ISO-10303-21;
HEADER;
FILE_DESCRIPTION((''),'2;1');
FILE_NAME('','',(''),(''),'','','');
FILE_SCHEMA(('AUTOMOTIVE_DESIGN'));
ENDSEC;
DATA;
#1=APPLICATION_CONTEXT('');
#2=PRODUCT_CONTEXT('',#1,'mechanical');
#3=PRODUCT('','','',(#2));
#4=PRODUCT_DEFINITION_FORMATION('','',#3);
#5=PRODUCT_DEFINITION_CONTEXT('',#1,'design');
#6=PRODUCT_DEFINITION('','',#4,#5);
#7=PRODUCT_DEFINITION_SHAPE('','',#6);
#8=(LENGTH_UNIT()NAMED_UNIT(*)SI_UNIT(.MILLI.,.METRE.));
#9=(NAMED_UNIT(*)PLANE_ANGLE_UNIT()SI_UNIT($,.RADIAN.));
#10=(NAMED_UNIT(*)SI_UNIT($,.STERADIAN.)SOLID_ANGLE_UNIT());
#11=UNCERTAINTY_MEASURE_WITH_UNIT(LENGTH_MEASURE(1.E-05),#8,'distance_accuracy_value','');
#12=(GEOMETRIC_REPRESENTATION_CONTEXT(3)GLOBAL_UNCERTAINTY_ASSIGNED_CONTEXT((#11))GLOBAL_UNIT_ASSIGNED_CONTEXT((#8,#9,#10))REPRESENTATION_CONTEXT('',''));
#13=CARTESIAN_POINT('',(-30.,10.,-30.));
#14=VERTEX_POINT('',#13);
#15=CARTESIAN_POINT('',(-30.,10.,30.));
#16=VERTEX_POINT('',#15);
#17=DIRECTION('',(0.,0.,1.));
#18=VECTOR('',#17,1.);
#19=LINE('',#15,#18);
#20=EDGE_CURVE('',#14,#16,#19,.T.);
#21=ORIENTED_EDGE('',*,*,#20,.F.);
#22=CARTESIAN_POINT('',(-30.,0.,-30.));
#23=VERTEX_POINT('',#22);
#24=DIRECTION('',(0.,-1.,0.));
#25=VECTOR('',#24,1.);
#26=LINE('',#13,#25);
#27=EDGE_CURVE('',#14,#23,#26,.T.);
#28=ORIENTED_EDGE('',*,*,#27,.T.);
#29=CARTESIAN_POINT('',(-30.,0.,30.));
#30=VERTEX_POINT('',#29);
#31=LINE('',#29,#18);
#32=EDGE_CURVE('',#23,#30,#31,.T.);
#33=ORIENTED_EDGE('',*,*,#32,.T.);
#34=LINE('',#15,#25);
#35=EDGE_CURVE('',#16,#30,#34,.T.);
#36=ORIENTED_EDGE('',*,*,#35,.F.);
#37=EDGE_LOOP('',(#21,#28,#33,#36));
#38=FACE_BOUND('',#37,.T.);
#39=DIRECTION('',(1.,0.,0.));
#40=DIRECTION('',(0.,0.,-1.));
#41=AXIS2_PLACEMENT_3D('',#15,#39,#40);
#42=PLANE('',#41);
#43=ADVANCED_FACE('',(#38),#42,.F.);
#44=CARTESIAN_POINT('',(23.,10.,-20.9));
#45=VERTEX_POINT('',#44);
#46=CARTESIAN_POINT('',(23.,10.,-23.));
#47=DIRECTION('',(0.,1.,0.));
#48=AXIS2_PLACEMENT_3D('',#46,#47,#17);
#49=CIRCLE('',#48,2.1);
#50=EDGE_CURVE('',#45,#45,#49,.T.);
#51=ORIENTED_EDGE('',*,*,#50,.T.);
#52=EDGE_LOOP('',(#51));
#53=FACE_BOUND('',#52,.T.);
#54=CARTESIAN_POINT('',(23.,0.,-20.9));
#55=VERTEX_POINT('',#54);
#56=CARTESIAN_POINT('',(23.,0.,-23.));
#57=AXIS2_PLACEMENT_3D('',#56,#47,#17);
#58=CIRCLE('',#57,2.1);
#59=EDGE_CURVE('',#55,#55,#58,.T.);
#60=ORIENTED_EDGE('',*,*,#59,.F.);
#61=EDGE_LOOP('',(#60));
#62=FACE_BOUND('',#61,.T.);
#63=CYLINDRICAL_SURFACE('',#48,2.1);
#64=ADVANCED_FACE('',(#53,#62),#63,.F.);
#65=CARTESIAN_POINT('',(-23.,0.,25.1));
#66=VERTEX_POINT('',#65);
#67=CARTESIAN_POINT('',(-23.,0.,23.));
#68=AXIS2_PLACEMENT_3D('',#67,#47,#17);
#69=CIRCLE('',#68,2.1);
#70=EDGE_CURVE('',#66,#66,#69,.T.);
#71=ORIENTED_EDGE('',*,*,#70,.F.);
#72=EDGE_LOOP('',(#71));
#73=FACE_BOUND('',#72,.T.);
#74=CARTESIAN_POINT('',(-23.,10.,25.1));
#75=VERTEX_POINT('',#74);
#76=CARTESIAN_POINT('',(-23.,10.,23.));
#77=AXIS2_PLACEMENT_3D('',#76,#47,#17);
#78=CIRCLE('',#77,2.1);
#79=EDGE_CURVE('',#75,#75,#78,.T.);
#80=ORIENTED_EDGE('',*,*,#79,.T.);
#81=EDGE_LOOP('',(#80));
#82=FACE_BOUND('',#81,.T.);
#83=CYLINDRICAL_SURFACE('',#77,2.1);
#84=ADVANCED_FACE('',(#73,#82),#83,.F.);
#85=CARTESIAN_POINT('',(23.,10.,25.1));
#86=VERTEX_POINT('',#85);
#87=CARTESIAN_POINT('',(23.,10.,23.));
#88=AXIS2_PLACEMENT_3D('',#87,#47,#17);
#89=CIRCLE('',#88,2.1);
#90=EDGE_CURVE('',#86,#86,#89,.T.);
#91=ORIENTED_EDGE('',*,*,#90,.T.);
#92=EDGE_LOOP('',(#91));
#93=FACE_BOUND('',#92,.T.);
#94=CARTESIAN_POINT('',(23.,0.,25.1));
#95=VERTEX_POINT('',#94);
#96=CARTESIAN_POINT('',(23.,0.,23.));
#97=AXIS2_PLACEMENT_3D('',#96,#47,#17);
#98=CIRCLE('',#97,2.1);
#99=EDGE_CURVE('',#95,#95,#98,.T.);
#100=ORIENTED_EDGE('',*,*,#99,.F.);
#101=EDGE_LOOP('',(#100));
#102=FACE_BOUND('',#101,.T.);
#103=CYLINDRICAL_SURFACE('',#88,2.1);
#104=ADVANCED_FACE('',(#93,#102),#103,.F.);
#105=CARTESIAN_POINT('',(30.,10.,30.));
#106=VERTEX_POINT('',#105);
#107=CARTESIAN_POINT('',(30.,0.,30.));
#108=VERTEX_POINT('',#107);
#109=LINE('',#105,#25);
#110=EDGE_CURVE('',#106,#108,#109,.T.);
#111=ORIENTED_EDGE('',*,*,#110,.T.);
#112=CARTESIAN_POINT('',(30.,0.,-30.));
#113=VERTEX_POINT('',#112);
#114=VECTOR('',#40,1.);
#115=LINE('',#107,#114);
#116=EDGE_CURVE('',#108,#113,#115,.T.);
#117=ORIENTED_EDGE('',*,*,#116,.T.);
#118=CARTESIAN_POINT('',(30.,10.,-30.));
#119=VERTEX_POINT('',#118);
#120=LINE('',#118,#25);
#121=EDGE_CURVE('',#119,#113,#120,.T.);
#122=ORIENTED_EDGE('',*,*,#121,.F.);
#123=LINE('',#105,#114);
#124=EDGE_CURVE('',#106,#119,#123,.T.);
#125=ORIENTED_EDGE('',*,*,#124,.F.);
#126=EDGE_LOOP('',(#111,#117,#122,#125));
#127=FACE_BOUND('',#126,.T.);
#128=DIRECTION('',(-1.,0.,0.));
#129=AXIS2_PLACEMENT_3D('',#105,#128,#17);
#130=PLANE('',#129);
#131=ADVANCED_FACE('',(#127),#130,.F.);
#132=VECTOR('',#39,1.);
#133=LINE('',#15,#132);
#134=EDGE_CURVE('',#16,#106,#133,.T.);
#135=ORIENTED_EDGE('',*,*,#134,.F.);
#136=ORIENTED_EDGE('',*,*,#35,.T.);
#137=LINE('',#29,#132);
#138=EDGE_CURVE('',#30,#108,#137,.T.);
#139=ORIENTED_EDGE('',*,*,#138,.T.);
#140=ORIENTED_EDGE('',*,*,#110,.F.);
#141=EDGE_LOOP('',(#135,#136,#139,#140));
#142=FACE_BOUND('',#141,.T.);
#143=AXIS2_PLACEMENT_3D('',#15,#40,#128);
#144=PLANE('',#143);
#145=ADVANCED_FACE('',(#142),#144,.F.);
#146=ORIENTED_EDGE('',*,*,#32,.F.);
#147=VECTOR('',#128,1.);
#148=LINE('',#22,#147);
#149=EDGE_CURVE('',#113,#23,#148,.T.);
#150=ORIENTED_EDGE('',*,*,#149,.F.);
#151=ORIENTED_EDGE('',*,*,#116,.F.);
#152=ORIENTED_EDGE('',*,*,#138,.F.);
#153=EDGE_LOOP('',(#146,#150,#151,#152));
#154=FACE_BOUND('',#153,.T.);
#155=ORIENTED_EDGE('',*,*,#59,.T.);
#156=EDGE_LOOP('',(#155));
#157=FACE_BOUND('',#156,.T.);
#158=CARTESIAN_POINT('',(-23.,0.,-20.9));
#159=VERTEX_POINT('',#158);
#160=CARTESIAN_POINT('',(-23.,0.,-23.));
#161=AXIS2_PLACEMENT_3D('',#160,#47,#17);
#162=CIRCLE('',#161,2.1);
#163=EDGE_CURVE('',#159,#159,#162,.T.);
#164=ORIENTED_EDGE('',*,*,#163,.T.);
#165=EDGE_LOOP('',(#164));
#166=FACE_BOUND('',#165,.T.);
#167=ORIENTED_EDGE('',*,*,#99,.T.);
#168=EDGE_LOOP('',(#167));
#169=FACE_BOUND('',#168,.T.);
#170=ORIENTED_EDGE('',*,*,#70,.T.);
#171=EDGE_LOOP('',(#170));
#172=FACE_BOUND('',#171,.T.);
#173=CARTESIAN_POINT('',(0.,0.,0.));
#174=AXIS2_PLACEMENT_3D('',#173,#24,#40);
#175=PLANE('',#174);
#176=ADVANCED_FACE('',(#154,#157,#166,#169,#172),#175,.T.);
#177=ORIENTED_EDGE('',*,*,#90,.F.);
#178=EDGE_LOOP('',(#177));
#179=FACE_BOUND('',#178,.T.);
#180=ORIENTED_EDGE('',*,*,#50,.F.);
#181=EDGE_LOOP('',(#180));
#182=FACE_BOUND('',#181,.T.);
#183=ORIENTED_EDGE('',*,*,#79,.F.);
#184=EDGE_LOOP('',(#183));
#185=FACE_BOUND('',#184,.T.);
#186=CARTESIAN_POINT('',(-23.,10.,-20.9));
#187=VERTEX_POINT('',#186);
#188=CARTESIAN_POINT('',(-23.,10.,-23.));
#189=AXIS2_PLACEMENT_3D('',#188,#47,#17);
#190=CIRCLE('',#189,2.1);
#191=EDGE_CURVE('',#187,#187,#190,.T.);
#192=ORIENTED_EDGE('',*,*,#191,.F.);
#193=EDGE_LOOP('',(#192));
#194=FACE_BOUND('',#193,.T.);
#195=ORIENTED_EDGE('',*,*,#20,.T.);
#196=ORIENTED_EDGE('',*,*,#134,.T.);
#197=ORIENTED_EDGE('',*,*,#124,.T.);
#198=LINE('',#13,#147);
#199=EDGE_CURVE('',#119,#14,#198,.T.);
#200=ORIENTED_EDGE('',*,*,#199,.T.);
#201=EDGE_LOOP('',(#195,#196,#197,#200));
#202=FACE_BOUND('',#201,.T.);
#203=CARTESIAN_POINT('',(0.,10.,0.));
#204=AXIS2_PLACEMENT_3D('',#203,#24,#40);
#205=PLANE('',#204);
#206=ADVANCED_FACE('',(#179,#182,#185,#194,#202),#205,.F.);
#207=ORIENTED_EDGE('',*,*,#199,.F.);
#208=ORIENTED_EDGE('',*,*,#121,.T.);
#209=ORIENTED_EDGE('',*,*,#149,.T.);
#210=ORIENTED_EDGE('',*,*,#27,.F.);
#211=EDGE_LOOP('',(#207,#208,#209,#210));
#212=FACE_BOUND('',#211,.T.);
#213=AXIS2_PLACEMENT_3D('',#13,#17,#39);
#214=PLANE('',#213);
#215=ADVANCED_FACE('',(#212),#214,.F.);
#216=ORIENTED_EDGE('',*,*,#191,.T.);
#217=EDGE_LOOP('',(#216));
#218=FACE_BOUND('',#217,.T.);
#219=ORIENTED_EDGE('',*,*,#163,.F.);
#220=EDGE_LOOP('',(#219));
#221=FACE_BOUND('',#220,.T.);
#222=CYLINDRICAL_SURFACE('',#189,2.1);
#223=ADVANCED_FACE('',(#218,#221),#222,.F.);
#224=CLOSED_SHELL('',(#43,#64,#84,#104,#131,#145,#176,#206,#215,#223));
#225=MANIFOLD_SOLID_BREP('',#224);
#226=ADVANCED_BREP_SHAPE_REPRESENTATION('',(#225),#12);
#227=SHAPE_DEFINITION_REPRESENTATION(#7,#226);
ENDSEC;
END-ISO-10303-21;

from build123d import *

# Parameters (mm, degrees)
SKETCH1_W           = 60
SKETCH1_H           = 60
BOSS_EXTRUDE1_DEPTH = 10
M5_TAPPED_HOLE1_D   = 4.2


with BuildPart() as part:
    # Sketch1 → Boss-Extrude1 (new body)
    with BuildSketch(Plane(origin=(0, 0, 0), x_dir=(1, 0, 0), z_dir=(0, 1, 0))):
        Rectangle(SKETCH1_W, SKETCH1_H)
    extrude(amount=BOSS_EXTRUDE1_DEPTH)

    # M5 Tapped Hole1 (through all)
    with Locations(Plane(origin=(-23, 10, -23), x_dir=(0, 0, 1), z_dir=(0, 1, 0))):
        with Locations((0, 0), (0, 46), (46, 46), (46, 0)):
            Hole(M5_TAPPED_HOLE1_D / 2)


solid = part.part
